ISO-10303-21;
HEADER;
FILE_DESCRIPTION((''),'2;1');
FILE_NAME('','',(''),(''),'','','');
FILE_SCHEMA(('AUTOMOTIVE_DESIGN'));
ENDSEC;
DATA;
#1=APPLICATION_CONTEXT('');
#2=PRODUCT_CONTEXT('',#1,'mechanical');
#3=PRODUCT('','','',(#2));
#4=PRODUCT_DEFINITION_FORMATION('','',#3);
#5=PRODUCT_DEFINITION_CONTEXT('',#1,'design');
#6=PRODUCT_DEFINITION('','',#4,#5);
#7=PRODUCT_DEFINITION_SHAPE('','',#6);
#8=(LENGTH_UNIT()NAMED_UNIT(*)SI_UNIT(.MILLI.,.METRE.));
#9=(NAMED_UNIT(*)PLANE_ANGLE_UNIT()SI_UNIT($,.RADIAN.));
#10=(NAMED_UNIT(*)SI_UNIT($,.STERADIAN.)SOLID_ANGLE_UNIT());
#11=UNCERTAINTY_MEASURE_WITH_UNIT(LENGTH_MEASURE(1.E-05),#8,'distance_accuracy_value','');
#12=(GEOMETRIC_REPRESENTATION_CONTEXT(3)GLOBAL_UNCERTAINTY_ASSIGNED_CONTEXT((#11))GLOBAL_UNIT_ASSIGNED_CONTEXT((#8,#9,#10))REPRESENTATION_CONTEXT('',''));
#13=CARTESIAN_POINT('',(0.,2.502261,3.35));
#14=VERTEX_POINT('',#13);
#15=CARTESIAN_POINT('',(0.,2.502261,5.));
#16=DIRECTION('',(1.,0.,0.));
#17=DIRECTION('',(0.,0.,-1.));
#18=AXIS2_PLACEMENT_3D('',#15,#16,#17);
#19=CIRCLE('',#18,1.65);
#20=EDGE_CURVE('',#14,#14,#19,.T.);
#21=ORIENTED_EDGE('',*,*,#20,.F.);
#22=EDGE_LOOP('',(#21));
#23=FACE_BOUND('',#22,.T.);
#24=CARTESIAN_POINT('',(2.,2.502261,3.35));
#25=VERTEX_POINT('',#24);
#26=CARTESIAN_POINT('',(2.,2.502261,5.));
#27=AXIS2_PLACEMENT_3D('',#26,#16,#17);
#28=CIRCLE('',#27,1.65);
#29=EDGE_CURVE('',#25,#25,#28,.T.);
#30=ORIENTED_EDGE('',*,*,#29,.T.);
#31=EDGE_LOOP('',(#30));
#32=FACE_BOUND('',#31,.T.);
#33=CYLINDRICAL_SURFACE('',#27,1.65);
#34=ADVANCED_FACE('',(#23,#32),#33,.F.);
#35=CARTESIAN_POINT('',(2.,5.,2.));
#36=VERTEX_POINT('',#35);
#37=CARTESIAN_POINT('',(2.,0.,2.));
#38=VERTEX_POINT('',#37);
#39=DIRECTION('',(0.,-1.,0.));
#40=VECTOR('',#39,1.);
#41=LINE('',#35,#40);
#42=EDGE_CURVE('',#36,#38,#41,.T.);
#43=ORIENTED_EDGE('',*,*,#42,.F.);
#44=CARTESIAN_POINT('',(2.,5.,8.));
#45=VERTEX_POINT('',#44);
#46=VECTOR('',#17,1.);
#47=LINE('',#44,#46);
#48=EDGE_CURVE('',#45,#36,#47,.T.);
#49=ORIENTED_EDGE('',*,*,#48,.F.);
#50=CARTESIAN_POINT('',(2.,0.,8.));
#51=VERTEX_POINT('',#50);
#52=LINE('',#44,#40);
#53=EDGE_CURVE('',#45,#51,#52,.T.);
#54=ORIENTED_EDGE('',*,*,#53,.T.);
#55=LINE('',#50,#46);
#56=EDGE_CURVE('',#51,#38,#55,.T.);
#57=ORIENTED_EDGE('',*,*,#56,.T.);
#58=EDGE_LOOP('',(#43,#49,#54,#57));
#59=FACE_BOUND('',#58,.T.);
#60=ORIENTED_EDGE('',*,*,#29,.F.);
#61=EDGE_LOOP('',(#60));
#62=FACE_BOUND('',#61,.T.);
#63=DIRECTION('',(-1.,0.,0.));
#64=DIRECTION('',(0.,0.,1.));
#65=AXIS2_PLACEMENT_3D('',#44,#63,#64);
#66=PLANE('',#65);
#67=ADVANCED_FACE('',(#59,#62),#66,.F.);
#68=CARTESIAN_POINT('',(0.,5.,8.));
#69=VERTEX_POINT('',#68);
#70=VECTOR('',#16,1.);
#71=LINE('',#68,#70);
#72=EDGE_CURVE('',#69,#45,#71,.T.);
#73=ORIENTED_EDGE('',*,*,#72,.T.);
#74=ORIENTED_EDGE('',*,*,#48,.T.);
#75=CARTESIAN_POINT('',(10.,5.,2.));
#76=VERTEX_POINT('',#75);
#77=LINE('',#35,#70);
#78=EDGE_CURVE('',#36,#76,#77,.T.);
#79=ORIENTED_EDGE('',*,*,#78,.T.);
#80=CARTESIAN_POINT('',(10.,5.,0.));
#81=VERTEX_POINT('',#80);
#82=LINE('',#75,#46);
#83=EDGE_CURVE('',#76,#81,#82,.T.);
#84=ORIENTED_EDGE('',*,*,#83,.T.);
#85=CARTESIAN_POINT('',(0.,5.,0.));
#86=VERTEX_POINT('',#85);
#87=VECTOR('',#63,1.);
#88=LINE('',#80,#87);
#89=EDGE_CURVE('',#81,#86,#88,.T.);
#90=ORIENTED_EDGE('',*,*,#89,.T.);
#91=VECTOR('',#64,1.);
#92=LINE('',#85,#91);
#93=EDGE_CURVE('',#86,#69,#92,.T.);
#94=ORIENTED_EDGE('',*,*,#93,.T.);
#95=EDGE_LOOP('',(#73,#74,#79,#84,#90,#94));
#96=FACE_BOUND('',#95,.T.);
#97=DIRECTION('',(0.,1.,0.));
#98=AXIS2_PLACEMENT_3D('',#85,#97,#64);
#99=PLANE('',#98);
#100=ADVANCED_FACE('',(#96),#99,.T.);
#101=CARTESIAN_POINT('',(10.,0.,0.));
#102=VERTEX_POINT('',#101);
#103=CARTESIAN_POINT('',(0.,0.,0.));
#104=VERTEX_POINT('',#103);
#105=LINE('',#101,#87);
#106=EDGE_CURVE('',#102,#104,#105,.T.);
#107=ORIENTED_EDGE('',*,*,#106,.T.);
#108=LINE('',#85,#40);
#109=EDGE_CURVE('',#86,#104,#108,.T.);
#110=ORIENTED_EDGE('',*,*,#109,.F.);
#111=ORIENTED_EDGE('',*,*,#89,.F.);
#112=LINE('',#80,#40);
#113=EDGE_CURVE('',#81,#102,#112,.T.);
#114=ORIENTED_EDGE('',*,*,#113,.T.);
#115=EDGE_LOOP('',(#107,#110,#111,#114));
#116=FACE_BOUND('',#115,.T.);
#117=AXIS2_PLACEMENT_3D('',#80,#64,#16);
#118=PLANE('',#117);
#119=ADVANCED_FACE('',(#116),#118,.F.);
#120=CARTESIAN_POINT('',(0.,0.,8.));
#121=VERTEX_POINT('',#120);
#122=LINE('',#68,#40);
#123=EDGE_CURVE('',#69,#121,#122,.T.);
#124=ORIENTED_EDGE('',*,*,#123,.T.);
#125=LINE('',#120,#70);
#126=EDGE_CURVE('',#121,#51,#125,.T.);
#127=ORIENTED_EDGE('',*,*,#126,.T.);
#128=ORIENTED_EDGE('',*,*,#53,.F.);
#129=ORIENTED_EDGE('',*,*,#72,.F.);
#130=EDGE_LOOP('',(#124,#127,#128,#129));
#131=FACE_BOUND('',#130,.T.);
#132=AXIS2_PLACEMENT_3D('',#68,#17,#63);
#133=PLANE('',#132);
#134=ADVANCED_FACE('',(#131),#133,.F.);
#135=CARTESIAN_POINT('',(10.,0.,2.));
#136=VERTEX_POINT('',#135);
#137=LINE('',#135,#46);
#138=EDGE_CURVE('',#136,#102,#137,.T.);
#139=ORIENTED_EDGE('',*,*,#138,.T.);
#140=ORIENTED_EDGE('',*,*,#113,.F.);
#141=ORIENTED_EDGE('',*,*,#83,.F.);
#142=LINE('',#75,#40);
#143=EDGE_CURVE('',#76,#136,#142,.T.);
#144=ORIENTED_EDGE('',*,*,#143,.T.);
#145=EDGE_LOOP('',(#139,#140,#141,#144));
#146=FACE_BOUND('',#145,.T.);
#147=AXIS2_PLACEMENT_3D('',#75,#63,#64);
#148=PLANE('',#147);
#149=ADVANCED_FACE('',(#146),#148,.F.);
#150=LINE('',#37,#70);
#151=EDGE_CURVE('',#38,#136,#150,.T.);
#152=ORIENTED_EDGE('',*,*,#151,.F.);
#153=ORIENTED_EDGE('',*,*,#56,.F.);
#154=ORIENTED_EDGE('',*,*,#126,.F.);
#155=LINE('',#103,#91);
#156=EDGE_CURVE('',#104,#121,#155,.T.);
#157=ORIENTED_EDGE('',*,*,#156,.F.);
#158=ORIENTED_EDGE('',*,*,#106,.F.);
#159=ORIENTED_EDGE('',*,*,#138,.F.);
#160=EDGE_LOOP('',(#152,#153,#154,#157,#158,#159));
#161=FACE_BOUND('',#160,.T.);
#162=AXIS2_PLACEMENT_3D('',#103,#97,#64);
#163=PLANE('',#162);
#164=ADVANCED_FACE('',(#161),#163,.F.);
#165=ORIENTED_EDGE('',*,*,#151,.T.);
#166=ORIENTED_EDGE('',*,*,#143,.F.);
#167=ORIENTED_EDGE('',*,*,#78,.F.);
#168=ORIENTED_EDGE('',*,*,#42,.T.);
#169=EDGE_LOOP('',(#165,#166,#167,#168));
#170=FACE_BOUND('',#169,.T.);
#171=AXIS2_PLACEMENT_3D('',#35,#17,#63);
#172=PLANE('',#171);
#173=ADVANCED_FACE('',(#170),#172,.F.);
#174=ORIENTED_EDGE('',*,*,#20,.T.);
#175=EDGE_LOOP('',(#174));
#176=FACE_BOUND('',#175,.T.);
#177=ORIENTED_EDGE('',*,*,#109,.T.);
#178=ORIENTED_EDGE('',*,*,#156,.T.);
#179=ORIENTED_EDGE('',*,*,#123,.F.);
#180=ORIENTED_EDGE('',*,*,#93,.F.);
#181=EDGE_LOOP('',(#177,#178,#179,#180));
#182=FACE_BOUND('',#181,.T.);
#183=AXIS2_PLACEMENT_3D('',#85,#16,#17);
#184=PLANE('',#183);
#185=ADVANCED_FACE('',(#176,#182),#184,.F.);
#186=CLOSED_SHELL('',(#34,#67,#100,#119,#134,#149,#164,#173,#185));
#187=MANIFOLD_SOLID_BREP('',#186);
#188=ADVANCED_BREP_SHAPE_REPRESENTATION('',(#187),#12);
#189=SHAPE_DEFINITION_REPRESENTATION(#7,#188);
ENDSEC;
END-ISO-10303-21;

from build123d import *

# Parameters (mm, degrees)
BOSS_EXTRUDE1_DEPTH         = 5
TAP_DRILL_FOR_M4X0_7_TAP1_D = 3.3


with BuildPart() as part:
    # Sketch1 → Boss-Extrude1 (new body)
    with BuildSketch(Plane(origin=(0, 0, 0), x_dir=(1, 0, 0), z_dir=(0, 1, 0))):
        Polygon((0, 0), (0, -8), (2, -8), (2, -2), (10, -2), (10, 0), align=None)
    extrude(amount=BOSS_EXTRUDE1_DEPTH)

    # Tap Drill for M4x0.7 Tap1 (through all)
    with Locations(Plane(origin=(2, 0, 0), x_dir=(0, 0, -1), z_dir=(1, 0, 0))):
        with Locations((-5, 2.502260539)):
            Hole(TAP_DRILL_FOR_M4X0_7_TAP1_D / 2)


solid = part.part
